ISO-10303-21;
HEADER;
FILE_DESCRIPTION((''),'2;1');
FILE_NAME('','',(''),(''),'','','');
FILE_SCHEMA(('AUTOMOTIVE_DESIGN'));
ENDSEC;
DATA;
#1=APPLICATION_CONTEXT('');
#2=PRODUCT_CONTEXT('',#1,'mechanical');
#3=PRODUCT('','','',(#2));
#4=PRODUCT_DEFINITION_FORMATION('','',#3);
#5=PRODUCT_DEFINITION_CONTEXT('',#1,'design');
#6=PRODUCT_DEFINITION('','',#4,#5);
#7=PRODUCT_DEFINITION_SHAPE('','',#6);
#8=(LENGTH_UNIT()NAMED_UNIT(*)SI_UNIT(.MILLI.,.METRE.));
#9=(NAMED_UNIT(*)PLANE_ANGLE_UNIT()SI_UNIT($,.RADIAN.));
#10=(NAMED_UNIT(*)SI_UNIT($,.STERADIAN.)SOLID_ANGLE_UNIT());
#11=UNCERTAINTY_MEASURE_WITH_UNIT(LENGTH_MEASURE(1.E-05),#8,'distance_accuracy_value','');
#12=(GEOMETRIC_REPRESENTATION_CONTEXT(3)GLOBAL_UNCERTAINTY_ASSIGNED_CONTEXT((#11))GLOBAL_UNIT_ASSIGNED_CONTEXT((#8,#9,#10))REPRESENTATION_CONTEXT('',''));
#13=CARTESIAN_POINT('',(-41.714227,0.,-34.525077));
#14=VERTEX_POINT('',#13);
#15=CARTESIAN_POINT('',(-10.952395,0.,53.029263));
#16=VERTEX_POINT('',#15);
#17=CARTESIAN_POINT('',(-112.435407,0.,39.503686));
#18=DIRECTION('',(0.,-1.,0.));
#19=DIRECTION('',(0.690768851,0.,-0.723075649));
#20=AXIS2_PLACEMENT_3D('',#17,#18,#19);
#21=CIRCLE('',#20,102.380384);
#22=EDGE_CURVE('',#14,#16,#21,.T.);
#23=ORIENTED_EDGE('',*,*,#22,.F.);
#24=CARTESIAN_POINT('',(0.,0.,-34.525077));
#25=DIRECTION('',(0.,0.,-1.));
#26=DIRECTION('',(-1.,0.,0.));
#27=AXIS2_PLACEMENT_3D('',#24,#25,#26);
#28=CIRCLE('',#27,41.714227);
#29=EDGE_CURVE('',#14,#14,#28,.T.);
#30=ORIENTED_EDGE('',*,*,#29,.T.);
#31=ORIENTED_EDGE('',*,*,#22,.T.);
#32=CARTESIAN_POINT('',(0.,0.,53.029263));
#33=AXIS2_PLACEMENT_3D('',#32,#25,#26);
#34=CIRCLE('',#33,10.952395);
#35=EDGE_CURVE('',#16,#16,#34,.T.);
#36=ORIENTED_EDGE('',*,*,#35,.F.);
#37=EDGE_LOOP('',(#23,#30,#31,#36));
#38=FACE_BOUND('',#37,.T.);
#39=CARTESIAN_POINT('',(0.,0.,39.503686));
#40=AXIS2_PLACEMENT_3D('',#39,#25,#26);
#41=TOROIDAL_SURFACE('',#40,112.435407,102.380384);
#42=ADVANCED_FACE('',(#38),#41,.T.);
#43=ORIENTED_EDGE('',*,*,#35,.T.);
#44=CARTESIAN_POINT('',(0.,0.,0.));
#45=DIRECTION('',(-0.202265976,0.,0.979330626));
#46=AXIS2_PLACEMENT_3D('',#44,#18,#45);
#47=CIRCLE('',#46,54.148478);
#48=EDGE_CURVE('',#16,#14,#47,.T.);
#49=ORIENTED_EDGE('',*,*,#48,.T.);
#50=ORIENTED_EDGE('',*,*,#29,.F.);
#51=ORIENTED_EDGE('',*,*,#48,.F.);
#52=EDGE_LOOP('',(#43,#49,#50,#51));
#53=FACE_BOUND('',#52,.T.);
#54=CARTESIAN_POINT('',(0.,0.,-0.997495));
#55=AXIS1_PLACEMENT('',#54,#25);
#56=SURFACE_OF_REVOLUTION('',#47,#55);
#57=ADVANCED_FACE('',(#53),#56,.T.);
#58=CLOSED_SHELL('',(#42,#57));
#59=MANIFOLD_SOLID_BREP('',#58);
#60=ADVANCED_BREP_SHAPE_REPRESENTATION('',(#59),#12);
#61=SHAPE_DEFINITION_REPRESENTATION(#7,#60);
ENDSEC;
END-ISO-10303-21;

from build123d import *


with BuildPart() as f1:
    # F0 (on Front) → F1 (revolve)
    with BuildSketch(Plane.XZ):
        with BuildLine():
            ThreePointArc((-41.714227, -34.525077), (-15.843422, 5.566517), (-10.952395, 53.029263))
            ThreePointArc((-10.952395, 53.029263), (-51.087023, 17.9492), (-41.714227, -34.525077))
        make_face()
    revolve(axis=Axis((0, 0, -0.997495), (0, 0, -1)))


solid = f1.part
